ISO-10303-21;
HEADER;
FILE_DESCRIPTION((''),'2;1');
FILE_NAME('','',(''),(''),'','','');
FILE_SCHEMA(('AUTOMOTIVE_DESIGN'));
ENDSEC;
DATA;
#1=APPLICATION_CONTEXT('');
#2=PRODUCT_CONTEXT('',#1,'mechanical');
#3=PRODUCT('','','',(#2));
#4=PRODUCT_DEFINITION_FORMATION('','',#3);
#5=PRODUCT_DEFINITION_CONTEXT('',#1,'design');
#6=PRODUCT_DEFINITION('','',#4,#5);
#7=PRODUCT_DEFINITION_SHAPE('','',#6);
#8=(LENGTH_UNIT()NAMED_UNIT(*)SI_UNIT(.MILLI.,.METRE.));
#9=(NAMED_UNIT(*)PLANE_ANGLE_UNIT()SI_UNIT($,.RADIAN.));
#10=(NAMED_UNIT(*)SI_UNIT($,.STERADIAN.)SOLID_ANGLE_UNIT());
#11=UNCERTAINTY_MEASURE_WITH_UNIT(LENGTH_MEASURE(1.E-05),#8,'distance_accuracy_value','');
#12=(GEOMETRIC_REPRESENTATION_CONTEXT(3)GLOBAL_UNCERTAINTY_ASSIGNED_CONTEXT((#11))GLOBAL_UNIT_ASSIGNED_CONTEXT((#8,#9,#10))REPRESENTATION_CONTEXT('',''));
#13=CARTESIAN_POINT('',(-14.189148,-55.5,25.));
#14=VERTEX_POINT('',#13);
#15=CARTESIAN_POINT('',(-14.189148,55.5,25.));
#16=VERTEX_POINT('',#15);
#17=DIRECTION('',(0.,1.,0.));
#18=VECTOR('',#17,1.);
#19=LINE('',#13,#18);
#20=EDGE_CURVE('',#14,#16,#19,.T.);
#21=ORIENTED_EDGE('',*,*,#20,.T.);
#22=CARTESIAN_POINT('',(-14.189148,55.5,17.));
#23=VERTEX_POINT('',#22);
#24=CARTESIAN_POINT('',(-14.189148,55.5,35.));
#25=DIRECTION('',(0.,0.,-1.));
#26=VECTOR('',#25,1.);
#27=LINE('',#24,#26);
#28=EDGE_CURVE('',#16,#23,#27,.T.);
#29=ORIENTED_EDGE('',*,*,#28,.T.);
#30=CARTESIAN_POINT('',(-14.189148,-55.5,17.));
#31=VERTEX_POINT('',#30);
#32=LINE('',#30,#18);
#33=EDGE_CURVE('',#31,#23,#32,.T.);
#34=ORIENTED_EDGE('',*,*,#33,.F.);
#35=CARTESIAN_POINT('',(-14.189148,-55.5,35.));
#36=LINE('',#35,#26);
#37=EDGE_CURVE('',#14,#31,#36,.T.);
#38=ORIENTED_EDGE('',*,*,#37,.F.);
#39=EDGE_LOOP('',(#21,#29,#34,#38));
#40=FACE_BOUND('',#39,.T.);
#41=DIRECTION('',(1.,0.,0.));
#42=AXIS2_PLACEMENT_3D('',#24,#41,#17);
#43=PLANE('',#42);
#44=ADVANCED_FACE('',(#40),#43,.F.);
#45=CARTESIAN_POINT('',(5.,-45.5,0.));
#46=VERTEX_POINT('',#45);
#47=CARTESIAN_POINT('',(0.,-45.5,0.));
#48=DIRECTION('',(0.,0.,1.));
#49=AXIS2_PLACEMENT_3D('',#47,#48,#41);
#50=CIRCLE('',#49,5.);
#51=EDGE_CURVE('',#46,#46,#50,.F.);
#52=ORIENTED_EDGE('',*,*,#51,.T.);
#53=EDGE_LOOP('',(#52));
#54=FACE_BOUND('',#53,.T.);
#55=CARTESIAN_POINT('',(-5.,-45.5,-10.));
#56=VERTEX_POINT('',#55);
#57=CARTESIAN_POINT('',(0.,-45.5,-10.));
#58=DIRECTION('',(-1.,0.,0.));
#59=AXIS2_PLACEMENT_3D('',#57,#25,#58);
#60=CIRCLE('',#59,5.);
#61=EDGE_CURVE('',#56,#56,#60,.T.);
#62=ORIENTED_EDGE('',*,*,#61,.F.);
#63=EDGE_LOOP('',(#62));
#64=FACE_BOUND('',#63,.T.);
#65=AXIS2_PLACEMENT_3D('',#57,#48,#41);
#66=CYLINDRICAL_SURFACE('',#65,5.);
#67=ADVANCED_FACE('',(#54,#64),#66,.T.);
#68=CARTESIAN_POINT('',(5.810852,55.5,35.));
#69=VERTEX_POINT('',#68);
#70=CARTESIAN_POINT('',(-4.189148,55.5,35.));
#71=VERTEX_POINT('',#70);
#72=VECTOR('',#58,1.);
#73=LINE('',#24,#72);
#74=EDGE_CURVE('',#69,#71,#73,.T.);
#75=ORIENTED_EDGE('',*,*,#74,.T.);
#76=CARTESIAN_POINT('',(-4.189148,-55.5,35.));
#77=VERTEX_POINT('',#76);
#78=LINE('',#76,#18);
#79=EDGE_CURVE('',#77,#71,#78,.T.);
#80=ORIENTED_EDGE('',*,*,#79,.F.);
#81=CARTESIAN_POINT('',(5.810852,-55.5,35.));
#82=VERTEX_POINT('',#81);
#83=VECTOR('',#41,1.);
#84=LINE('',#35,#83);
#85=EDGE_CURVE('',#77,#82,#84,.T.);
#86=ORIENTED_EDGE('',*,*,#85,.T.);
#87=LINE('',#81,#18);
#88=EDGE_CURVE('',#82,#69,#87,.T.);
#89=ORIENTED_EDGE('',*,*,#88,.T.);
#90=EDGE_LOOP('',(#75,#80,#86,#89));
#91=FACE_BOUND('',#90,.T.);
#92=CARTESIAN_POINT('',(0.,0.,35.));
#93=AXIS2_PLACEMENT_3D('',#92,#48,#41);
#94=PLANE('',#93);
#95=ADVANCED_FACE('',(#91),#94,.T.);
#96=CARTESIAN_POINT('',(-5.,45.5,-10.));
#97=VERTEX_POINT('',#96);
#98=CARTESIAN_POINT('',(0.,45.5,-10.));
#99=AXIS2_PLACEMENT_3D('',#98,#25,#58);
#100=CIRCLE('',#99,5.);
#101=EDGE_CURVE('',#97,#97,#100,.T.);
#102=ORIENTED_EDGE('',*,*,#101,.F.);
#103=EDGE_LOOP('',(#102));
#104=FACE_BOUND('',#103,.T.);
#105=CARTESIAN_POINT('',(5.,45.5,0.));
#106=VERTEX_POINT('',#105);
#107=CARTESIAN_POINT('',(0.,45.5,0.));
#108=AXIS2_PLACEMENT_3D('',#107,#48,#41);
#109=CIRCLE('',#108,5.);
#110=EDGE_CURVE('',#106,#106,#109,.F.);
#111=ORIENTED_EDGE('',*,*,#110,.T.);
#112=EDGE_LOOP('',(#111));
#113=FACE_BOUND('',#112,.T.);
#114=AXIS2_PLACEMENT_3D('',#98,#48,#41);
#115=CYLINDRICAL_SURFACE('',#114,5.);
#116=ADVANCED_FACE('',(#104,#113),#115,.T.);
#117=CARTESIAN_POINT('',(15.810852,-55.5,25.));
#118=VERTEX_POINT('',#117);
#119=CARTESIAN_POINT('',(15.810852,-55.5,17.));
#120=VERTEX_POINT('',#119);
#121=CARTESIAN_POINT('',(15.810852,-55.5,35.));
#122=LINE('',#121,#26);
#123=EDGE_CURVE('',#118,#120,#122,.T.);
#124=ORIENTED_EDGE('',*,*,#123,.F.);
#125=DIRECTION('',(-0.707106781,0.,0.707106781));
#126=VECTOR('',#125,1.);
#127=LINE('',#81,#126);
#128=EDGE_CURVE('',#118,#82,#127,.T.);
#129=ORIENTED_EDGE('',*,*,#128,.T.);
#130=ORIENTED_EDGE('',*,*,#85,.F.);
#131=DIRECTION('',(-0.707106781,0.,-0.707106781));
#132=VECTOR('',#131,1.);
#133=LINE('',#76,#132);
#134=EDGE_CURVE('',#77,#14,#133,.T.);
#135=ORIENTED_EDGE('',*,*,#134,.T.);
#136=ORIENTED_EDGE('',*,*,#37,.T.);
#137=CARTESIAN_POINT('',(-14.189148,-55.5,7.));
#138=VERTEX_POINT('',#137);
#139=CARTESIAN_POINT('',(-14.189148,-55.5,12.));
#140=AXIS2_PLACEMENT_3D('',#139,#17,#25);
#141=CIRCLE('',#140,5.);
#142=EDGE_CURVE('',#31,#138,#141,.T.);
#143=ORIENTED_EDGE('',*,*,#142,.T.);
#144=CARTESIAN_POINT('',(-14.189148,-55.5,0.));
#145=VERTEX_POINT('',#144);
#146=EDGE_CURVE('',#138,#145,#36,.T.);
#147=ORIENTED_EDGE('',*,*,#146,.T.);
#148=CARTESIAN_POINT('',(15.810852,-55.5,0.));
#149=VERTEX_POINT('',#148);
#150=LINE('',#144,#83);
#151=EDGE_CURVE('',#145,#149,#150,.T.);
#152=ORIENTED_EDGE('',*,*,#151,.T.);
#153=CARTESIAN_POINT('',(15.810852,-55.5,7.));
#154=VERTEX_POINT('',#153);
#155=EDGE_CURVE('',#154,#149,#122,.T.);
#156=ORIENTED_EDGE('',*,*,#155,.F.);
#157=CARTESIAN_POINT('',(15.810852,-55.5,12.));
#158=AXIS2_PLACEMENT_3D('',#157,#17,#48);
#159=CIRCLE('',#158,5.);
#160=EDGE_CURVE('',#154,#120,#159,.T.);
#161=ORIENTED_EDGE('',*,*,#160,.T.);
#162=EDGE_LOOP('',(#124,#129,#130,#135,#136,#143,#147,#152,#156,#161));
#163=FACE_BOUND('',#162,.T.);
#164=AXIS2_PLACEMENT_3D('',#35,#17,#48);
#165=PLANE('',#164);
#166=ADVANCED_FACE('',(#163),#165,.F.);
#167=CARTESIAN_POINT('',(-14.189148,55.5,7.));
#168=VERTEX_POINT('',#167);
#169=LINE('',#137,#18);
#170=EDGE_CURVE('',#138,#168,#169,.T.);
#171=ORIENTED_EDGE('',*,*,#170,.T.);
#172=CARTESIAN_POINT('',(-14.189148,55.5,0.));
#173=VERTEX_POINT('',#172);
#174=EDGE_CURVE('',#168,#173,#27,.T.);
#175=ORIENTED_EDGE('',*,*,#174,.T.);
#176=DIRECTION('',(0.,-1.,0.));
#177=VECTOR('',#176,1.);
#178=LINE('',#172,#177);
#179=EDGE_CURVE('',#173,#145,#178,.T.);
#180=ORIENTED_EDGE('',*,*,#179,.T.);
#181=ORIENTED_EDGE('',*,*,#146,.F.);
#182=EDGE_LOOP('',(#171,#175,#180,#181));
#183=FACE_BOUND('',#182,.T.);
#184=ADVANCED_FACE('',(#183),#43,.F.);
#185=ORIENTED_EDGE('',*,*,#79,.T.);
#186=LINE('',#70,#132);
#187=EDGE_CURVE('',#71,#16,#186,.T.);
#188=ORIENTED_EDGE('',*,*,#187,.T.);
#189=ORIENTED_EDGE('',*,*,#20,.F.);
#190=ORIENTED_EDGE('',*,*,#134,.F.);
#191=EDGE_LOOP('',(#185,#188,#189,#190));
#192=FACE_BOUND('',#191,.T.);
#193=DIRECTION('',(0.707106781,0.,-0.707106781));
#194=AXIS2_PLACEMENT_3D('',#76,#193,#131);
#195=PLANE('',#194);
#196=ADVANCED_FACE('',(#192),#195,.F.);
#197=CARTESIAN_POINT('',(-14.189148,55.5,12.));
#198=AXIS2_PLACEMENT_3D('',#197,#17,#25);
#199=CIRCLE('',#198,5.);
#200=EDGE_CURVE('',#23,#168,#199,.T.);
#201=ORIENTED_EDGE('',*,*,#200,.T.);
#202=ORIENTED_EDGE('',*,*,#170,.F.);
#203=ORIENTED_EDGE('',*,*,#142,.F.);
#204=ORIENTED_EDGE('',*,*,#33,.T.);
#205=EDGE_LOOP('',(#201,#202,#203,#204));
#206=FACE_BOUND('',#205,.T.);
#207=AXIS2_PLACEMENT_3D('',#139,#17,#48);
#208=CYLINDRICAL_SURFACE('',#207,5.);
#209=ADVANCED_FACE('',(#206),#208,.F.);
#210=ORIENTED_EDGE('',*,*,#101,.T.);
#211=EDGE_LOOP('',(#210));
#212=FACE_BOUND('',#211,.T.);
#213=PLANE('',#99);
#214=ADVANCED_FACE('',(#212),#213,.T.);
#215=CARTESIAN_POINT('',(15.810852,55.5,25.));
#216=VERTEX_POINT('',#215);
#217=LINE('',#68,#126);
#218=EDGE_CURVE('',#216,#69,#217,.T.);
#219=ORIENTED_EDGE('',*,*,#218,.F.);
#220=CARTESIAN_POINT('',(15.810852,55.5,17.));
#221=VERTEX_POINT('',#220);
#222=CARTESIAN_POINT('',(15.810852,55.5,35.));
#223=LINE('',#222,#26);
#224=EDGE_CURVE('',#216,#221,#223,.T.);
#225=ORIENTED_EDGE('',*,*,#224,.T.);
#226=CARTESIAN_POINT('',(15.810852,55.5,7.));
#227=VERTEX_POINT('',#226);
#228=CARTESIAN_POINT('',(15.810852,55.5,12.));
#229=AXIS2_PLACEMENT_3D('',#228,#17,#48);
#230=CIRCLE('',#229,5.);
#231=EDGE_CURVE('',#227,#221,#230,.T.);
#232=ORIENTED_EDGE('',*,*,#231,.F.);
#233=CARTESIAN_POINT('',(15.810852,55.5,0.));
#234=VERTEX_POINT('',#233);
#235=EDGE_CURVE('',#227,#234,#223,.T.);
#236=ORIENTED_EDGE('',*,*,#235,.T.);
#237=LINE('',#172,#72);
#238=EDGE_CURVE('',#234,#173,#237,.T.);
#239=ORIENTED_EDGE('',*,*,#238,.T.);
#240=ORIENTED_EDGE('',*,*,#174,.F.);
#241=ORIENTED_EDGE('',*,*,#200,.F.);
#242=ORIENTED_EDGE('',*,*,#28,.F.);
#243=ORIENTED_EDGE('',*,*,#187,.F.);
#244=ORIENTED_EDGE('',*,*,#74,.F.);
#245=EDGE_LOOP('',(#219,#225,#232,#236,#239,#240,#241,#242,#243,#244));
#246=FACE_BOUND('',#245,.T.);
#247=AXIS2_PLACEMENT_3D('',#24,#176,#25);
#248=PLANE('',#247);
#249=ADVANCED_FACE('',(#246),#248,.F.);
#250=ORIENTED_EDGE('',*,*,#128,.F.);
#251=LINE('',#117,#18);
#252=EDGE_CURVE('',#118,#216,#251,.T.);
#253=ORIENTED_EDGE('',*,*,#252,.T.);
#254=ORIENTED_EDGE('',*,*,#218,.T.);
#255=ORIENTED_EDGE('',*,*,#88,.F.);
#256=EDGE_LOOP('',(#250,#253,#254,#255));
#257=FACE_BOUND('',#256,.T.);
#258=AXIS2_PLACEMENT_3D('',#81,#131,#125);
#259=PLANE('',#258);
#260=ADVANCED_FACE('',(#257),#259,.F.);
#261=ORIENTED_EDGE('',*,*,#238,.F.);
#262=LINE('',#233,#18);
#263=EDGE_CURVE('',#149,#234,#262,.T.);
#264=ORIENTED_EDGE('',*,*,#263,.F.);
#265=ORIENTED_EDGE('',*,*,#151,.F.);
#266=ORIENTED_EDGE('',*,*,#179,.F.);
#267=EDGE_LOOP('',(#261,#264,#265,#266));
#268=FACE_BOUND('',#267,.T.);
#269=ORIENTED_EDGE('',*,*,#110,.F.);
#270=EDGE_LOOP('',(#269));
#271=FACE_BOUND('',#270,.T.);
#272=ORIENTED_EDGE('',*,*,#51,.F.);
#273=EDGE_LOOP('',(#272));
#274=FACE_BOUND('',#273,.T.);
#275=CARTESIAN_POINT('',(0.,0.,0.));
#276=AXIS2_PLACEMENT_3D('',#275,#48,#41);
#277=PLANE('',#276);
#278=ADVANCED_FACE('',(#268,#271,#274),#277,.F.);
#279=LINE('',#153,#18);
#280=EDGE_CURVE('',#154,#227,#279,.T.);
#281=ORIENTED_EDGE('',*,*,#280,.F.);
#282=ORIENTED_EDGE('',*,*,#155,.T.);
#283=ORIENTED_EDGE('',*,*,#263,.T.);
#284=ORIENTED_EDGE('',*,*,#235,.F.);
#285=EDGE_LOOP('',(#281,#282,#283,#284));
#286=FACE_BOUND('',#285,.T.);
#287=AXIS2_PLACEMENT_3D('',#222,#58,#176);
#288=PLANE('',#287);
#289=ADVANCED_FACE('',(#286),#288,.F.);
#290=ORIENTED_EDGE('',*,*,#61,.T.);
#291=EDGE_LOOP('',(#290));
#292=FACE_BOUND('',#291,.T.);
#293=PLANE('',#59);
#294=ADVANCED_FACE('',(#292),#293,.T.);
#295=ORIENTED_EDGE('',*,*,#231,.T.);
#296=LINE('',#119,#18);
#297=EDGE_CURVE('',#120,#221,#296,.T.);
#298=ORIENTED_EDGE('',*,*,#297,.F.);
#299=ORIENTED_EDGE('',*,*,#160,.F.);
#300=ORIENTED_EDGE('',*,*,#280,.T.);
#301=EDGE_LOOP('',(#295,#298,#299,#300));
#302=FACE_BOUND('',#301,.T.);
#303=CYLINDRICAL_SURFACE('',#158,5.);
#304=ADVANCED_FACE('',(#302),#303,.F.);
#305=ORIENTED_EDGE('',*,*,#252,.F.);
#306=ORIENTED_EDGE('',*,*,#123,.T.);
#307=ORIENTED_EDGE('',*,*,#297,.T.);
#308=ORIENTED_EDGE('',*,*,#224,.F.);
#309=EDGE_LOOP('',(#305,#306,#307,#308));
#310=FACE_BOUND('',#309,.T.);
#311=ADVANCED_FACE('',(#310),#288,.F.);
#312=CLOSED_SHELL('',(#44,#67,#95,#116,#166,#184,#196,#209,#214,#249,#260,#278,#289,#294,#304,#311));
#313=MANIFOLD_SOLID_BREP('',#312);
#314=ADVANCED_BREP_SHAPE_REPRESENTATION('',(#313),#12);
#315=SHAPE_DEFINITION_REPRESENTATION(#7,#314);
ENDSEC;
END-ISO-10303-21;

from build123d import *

# Parameters (mm, degrees)
SKETCH1_W           = 30
SKETCH1_H           = 111
BOSS_EXTRUDE1_DEPTH = 35
CUT_EXTRUDE1_DEPTH  = 118.456302638
SKETCH3_R           = 5
BOSS_EXTRUDE2_DEPTH = 10


with BuildPart() as part:
    # Sketch1 → Boss-Extrude1 (new body)
    with BuildSketch(Plane.XY):
        with Locations((0.810851631, 0)):
            Rectangle(SKETCH1_W, SKETCH1_H)
    extrude(amount=BOSS_EXTRUDE1_DEPTH)

    # Sketch2 → Cut-Extrude1 (cut, through all)
    with BuildSketch(Plane(origin=(0, 55.5, 0), x_dir=(1, 0, 0), z_dir=(0, 1, 0))):
        Polygon((5.810851631, -35), (15.810851631, -25), (15.810851631, -35), align=None)
        with BuildLine():
            Line((15.810851631, -7), (15.810851631, -17))
            ThreePointArc((15.810851631, -17), (10.810851631, -12), (15.810851631, -7))
        make_face()
        Polygon((-14.189148369, -25), (-14.189148369, -35), (-4.189148369, -35), align=None)
        with BuildLine():
            Line((-14.189148369, -7), (-14.189148369, -17))
            ThreePointArc((-14.189148369, -17), (-9.189148369, -12), (-14.189148369, -7))
        make_face()
    extrude(amount=-CUT_EXTRUDE1_DEPTH, mode=Mode.SUBTRACT)

    # Sketch3 → Boss-Extrude2 (add)
    with BuildSketch(Plane(origin=(0, 0, 0), x_dir=(-1, 0, 0), z_dir=(0, 0, -1))):
        with Locations(Location((0, 45.5, 0), (0, 0, 180))):
            Circle(SKETCH3_R)
        with Locations(Location((0, -45.5, 0), (0, 0, 180))):
            Circle(SKETCH3_R)
    extrude(amount=BOSS_EXTRUDE2_DEPTH)


solid = part.part
